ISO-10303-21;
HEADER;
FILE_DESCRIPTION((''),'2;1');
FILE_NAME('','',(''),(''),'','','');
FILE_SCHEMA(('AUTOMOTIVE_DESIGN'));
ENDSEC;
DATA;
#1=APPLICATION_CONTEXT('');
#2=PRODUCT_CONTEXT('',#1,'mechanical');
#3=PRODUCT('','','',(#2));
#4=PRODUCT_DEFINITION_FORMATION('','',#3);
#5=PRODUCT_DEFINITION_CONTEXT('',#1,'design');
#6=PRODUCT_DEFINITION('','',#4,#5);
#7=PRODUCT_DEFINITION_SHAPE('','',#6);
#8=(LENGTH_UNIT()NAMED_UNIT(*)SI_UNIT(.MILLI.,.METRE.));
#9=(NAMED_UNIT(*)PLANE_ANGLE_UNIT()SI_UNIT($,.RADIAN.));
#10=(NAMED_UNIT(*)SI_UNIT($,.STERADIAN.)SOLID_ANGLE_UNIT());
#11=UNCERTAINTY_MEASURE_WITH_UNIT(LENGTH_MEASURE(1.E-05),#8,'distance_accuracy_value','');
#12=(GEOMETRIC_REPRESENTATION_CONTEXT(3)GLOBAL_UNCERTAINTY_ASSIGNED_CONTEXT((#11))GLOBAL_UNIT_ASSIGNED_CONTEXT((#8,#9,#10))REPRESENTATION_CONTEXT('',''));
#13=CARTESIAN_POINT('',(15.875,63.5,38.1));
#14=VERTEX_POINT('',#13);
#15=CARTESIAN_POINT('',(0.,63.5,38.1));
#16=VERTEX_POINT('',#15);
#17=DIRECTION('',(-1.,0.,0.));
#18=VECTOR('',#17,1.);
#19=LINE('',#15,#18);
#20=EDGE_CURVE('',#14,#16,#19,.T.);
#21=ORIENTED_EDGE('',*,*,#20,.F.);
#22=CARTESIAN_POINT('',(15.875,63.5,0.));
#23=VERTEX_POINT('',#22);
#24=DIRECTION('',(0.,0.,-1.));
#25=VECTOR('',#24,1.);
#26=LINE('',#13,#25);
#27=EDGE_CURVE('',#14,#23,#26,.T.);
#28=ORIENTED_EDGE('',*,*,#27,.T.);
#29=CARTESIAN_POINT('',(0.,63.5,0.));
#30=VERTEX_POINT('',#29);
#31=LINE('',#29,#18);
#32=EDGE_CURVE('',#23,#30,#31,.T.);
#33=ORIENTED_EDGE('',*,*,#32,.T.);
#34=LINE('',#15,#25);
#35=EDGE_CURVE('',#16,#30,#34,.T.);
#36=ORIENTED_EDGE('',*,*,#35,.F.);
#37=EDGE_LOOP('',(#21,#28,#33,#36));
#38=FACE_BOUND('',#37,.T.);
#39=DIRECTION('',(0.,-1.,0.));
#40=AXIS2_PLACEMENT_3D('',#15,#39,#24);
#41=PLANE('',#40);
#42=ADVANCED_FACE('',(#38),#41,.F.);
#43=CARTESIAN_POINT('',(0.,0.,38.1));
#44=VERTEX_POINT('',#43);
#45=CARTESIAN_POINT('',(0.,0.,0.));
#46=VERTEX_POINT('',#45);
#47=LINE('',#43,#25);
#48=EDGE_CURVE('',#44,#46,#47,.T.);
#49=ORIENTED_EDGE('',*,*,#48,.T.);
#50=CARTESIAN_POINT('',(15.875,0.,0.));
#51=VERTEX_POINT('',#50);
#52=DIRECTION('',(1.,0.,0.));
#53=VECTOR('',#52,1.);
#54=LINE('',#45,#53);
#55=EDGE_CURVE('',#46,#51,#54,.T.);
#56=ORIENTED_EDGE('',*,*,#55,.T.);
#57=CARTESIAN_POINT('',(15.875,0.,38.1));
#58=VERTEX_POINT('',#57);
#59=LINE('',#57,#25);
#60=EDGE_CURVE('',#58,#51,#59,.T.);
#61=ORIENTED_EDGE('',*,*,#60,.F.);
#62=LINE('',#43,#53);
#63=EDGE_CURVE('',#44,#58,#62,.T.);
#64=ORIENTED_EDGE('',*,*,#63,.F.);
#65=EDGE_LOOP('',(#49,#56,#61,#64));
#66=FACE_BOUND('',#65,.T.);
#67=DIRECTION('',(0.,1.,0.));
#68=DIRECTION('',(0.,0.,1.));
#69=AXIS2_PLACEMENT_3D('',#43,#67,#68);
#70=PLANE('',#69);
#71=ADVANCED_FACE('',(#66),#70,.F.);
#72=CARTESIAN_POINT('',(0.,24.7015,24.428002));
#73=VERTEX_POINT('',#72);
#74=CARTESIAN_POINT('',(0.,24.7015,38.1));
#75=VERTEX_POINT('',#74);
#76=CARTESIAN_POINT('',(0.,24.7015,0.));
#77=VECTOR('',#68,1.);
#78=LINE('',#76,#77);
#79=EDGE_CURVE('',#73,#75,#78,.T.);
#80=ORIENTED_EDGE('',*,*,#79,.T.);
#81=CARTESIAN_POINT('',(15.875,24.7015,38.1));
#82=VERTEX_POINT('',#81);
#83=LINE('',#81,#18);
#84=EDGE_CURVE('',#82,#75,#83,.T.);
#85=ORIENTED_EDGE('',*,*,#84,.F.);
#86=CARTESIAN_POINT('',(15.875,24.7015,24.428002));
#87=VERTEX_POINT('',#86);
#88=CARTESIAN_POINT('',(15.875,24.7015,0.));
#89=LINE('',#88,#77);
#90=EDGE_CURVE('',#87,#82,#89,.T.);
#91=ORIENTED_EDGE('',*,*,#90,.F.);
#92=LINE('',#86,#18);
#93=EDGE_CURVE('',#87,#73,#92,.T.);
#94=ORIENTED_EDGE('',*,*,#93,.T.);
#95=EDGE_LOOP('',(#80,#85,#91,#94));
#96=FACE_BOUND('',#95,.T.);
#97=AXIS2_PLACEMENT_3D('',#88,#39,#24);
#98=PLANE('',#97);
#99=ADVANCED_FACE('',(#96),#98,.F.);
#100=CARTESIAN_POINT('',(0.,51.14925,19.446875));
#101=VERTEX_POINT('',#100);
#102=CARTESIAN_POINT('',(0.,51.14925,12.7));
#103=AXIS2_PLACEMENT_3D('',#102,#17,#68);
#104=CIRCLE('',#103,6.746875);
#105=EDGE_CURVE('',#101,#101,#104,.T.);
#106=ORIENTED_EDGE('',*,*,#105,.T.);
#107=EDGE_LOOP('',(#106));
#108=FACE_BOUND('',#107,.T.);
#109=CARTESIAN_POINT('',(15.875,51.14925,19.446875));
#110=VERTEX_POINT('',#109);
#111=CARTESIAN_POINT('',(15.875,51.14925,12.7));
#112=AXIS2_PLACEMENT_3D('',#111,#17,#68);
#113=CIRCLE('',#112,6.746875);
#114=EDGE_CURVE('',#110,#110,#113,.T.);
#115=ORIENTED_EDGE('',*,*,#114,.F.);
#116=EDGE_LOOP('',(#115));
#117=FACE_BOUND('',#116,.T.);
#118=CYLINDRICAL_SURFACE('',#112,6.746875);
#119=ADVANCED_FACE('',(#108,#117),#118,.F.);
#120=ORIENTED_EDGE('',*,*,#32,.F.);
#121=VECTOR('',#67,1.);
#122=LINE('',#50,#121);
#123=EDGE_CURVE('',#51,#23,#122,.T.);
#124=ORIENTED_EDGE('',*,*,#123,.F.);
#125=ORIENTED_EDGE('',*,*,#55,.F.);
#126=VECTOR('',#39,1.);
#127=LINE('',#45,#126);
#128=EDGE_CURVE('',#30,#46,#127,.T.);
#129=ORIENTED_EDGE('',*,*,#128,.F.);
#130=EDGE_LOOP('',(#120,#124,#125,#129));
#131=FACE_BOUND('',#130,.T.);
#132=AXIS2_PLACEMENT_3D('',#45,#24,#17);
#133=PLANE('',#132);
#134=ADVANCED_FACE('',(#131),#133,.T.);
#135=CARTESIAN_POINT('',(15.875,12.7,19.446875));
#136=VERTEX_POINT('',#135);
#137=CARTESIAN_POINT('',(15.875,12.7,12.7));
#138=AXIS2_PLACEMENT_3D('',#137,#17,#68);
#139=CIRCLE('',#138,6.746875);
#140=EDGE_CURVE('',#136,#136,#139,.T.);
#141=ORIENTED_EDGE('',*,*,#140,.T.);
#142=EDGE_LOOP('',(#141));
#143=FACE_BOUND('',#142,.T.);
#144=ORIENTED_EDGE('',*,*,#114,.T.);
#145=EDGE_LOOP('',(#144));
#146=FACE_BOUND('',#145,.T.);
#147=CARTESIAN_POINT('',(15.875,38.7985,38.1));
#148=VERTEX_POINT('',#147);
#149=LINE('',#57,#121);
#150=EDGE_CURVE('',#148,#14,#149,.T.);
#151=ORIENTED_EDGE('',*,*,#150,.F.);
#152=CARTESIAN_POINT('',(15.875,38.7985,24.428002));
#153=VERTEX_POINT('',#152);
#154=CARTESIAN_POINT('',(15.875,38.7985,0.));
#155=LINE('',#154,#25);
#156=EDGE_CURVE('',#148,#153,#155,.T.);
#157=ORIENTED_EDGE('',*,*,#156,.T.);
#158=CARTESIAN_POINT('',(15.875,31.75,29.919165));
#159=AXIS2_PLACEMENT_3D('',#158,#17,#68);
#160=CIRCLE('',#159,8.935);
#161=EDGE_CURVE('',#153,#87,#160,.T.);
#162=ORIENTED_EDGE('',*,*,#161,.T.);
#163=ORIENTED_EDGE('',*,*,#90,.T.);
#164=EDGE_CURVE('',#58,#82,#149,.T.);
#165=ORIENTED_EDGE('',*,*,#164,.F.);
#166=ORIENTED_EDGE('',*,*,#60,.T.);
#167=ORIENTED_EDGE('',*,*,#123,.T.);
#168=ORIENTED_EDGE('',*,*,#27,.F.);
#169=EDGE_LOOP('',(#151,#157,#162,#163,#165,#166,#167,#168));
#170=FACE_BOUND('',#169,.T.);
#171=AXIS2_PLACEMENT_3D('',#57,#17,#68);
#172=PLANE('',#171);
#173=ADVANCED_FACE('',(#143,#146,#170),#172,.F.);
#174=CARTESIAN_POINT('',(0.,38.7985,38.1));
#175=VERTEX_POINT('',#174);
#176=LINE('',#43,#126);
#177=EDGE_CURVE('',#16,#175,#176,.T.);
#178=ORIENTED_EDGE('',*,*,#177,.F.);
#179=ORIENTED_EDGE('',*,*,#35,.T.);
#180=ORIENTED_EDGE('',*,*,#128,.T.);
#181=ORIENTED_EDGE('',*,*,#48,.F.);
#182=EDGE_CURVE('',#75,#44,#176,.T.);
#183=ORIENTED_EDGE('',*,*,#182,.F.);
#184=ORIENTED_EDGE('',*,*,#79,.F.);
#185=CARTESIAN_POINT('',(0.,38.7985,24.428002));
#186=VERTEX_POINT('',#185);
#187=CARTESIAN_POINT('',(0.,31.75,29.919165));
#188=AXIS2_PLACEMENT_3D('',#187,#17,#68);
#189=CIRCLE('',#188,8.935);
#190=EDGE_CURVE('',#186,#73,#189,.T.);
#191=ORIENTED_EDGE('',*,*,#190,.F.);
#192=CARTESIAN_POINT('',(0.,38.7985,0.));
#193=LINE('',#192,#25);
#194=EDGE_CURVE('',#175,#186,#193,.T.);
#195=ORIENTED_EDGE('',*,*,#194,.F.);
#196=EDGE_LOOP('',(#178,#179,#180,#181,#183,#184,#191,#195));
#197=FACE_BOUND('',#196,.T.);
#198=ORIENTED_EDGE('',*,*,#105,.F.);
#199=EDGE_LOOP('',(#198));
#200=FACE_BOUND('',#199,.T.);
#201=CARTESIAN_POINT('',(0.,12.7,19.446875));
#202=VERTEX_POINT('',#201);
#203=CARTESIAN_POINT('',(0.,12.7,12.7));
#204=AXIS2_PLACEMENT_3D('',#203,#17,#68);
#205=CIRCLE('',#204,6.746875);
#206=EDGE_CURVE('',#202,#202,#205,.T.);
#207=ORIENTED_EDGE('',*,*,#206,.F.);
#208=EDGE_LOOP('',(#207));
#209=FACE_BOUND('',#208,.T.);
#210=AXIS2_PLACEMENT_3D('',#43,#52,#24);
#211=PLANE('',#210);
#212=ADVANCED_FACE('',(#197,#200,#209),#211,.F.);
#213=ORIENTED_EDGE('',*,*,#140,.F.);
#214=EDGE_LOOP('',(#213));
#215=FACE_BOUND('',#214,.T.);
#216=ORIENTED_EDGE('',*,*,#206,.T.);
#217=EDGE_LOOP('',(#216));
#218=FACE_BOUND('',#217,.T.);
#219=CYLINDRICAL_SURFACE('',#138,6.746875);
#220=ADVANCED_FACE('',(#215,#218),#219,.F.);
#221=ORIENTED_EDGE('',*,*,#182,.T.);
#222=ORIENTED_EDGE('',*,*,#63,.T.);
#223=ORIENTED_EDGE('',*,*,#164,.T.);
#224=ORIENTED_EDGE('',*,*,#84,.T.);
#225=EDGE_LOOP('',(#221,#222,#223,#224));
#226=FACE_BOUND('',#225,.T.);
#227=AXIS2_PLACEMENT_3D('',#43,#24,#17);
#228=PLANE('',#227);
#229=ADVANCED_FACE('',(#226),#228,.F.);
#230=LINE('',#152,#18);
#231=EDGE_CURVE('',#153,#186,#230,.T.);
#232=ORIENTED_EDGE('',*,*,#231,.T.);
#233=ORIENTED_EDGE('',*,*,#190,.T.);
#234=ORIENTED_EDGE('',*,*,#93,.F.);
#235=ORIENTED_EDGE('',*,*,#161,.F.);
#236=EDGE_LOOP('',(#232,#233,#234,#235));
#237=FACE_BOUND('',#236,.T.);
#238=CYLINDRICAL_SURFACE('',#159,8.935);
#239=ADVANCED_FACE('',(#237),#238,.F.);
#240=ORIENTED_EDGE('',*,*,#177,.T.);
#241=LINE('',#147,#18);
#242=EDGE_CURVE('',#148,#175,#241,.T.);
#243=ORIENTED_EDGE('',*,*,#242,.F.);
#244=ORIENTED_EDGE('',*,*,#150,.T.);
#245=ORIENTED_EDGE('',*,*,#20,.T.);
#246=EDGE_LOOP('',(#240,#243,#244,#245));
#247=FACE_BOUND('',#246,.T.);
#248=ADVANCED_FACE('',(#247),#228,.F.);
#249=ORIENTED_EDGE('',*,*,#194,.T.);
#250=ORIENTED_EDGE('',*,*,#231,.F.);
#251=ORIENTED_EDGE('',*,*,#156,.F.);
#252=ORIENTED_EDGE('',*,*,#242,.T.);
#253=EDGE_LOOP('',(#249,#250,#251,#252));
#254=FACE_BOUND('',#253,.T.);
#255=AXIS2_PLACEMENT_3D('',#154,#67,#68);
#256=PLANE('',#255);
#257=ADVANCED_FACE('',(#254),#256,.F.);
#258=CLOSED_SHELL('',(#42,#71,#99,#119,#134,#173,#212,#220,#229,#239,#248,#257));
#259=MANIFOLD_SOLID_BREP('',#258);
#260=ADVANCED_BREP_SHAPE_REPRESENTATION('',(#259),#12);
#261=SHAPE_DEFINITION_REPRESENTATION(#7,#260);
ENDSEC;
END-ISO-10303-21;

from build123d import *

# Parameters (mm, degrees)
SKETCH1_W           = 15.875
SKETCH1_H           = 63.5
BOSS_EXTRUDE1_DEPTH = 38.1
CUT_EXTRUDE1_DEPTH  = 16.875
SKETCH3_R           = 6.746875
CUT_EXTRUDE2_DEPTH  = 16.875


with BuildPart() as part:
    # Sketch1 → Boss-Extrude1 (new body)
    with BuildSketch(Plane.XY):
        with Locations((7.9375, 31.75)):
            Rectangle(SKETCH1_W, SKETCH1_H)
    extrude(amount=BOSS_EXTRUDE1_DEPTH)

    # Sketch2 → Cut-Extrude1 (cut, through all)
    with BuildSketch(Plane.ZY):
        with BuildLine():
            ThreePointArc((24.4280023, 38.7985), (20.984165451, 31.75), (24.4280023, 24.7015))
            Line((24.4280023, 24.7015), (38.1, 24.7015))
            Line((38.1, 24.7015), (38.1, 38.7985))
            Line((38.1, 38.7985), (24.4280023, 38.7985))
        make_face()
    extrude(amount=-CUT_EXTRUDE1_DEPTH, mode=Mode.SUBTRACT)

    # Sketch3 → Cut-Extrude2 (cut, through all)
    with BuildSketch(Plane.ZY):
        with Locations((12.7, 51.14925)):
            Circle(SKETCH3_R)
        with Locations((12.7, 12.7)):
            Circle(SKETCH3_R)
    extrude(amount=-CUT_EXTRUDE2_DEPTH, mode=Mode.SUBTRACT)


solid = part.part
